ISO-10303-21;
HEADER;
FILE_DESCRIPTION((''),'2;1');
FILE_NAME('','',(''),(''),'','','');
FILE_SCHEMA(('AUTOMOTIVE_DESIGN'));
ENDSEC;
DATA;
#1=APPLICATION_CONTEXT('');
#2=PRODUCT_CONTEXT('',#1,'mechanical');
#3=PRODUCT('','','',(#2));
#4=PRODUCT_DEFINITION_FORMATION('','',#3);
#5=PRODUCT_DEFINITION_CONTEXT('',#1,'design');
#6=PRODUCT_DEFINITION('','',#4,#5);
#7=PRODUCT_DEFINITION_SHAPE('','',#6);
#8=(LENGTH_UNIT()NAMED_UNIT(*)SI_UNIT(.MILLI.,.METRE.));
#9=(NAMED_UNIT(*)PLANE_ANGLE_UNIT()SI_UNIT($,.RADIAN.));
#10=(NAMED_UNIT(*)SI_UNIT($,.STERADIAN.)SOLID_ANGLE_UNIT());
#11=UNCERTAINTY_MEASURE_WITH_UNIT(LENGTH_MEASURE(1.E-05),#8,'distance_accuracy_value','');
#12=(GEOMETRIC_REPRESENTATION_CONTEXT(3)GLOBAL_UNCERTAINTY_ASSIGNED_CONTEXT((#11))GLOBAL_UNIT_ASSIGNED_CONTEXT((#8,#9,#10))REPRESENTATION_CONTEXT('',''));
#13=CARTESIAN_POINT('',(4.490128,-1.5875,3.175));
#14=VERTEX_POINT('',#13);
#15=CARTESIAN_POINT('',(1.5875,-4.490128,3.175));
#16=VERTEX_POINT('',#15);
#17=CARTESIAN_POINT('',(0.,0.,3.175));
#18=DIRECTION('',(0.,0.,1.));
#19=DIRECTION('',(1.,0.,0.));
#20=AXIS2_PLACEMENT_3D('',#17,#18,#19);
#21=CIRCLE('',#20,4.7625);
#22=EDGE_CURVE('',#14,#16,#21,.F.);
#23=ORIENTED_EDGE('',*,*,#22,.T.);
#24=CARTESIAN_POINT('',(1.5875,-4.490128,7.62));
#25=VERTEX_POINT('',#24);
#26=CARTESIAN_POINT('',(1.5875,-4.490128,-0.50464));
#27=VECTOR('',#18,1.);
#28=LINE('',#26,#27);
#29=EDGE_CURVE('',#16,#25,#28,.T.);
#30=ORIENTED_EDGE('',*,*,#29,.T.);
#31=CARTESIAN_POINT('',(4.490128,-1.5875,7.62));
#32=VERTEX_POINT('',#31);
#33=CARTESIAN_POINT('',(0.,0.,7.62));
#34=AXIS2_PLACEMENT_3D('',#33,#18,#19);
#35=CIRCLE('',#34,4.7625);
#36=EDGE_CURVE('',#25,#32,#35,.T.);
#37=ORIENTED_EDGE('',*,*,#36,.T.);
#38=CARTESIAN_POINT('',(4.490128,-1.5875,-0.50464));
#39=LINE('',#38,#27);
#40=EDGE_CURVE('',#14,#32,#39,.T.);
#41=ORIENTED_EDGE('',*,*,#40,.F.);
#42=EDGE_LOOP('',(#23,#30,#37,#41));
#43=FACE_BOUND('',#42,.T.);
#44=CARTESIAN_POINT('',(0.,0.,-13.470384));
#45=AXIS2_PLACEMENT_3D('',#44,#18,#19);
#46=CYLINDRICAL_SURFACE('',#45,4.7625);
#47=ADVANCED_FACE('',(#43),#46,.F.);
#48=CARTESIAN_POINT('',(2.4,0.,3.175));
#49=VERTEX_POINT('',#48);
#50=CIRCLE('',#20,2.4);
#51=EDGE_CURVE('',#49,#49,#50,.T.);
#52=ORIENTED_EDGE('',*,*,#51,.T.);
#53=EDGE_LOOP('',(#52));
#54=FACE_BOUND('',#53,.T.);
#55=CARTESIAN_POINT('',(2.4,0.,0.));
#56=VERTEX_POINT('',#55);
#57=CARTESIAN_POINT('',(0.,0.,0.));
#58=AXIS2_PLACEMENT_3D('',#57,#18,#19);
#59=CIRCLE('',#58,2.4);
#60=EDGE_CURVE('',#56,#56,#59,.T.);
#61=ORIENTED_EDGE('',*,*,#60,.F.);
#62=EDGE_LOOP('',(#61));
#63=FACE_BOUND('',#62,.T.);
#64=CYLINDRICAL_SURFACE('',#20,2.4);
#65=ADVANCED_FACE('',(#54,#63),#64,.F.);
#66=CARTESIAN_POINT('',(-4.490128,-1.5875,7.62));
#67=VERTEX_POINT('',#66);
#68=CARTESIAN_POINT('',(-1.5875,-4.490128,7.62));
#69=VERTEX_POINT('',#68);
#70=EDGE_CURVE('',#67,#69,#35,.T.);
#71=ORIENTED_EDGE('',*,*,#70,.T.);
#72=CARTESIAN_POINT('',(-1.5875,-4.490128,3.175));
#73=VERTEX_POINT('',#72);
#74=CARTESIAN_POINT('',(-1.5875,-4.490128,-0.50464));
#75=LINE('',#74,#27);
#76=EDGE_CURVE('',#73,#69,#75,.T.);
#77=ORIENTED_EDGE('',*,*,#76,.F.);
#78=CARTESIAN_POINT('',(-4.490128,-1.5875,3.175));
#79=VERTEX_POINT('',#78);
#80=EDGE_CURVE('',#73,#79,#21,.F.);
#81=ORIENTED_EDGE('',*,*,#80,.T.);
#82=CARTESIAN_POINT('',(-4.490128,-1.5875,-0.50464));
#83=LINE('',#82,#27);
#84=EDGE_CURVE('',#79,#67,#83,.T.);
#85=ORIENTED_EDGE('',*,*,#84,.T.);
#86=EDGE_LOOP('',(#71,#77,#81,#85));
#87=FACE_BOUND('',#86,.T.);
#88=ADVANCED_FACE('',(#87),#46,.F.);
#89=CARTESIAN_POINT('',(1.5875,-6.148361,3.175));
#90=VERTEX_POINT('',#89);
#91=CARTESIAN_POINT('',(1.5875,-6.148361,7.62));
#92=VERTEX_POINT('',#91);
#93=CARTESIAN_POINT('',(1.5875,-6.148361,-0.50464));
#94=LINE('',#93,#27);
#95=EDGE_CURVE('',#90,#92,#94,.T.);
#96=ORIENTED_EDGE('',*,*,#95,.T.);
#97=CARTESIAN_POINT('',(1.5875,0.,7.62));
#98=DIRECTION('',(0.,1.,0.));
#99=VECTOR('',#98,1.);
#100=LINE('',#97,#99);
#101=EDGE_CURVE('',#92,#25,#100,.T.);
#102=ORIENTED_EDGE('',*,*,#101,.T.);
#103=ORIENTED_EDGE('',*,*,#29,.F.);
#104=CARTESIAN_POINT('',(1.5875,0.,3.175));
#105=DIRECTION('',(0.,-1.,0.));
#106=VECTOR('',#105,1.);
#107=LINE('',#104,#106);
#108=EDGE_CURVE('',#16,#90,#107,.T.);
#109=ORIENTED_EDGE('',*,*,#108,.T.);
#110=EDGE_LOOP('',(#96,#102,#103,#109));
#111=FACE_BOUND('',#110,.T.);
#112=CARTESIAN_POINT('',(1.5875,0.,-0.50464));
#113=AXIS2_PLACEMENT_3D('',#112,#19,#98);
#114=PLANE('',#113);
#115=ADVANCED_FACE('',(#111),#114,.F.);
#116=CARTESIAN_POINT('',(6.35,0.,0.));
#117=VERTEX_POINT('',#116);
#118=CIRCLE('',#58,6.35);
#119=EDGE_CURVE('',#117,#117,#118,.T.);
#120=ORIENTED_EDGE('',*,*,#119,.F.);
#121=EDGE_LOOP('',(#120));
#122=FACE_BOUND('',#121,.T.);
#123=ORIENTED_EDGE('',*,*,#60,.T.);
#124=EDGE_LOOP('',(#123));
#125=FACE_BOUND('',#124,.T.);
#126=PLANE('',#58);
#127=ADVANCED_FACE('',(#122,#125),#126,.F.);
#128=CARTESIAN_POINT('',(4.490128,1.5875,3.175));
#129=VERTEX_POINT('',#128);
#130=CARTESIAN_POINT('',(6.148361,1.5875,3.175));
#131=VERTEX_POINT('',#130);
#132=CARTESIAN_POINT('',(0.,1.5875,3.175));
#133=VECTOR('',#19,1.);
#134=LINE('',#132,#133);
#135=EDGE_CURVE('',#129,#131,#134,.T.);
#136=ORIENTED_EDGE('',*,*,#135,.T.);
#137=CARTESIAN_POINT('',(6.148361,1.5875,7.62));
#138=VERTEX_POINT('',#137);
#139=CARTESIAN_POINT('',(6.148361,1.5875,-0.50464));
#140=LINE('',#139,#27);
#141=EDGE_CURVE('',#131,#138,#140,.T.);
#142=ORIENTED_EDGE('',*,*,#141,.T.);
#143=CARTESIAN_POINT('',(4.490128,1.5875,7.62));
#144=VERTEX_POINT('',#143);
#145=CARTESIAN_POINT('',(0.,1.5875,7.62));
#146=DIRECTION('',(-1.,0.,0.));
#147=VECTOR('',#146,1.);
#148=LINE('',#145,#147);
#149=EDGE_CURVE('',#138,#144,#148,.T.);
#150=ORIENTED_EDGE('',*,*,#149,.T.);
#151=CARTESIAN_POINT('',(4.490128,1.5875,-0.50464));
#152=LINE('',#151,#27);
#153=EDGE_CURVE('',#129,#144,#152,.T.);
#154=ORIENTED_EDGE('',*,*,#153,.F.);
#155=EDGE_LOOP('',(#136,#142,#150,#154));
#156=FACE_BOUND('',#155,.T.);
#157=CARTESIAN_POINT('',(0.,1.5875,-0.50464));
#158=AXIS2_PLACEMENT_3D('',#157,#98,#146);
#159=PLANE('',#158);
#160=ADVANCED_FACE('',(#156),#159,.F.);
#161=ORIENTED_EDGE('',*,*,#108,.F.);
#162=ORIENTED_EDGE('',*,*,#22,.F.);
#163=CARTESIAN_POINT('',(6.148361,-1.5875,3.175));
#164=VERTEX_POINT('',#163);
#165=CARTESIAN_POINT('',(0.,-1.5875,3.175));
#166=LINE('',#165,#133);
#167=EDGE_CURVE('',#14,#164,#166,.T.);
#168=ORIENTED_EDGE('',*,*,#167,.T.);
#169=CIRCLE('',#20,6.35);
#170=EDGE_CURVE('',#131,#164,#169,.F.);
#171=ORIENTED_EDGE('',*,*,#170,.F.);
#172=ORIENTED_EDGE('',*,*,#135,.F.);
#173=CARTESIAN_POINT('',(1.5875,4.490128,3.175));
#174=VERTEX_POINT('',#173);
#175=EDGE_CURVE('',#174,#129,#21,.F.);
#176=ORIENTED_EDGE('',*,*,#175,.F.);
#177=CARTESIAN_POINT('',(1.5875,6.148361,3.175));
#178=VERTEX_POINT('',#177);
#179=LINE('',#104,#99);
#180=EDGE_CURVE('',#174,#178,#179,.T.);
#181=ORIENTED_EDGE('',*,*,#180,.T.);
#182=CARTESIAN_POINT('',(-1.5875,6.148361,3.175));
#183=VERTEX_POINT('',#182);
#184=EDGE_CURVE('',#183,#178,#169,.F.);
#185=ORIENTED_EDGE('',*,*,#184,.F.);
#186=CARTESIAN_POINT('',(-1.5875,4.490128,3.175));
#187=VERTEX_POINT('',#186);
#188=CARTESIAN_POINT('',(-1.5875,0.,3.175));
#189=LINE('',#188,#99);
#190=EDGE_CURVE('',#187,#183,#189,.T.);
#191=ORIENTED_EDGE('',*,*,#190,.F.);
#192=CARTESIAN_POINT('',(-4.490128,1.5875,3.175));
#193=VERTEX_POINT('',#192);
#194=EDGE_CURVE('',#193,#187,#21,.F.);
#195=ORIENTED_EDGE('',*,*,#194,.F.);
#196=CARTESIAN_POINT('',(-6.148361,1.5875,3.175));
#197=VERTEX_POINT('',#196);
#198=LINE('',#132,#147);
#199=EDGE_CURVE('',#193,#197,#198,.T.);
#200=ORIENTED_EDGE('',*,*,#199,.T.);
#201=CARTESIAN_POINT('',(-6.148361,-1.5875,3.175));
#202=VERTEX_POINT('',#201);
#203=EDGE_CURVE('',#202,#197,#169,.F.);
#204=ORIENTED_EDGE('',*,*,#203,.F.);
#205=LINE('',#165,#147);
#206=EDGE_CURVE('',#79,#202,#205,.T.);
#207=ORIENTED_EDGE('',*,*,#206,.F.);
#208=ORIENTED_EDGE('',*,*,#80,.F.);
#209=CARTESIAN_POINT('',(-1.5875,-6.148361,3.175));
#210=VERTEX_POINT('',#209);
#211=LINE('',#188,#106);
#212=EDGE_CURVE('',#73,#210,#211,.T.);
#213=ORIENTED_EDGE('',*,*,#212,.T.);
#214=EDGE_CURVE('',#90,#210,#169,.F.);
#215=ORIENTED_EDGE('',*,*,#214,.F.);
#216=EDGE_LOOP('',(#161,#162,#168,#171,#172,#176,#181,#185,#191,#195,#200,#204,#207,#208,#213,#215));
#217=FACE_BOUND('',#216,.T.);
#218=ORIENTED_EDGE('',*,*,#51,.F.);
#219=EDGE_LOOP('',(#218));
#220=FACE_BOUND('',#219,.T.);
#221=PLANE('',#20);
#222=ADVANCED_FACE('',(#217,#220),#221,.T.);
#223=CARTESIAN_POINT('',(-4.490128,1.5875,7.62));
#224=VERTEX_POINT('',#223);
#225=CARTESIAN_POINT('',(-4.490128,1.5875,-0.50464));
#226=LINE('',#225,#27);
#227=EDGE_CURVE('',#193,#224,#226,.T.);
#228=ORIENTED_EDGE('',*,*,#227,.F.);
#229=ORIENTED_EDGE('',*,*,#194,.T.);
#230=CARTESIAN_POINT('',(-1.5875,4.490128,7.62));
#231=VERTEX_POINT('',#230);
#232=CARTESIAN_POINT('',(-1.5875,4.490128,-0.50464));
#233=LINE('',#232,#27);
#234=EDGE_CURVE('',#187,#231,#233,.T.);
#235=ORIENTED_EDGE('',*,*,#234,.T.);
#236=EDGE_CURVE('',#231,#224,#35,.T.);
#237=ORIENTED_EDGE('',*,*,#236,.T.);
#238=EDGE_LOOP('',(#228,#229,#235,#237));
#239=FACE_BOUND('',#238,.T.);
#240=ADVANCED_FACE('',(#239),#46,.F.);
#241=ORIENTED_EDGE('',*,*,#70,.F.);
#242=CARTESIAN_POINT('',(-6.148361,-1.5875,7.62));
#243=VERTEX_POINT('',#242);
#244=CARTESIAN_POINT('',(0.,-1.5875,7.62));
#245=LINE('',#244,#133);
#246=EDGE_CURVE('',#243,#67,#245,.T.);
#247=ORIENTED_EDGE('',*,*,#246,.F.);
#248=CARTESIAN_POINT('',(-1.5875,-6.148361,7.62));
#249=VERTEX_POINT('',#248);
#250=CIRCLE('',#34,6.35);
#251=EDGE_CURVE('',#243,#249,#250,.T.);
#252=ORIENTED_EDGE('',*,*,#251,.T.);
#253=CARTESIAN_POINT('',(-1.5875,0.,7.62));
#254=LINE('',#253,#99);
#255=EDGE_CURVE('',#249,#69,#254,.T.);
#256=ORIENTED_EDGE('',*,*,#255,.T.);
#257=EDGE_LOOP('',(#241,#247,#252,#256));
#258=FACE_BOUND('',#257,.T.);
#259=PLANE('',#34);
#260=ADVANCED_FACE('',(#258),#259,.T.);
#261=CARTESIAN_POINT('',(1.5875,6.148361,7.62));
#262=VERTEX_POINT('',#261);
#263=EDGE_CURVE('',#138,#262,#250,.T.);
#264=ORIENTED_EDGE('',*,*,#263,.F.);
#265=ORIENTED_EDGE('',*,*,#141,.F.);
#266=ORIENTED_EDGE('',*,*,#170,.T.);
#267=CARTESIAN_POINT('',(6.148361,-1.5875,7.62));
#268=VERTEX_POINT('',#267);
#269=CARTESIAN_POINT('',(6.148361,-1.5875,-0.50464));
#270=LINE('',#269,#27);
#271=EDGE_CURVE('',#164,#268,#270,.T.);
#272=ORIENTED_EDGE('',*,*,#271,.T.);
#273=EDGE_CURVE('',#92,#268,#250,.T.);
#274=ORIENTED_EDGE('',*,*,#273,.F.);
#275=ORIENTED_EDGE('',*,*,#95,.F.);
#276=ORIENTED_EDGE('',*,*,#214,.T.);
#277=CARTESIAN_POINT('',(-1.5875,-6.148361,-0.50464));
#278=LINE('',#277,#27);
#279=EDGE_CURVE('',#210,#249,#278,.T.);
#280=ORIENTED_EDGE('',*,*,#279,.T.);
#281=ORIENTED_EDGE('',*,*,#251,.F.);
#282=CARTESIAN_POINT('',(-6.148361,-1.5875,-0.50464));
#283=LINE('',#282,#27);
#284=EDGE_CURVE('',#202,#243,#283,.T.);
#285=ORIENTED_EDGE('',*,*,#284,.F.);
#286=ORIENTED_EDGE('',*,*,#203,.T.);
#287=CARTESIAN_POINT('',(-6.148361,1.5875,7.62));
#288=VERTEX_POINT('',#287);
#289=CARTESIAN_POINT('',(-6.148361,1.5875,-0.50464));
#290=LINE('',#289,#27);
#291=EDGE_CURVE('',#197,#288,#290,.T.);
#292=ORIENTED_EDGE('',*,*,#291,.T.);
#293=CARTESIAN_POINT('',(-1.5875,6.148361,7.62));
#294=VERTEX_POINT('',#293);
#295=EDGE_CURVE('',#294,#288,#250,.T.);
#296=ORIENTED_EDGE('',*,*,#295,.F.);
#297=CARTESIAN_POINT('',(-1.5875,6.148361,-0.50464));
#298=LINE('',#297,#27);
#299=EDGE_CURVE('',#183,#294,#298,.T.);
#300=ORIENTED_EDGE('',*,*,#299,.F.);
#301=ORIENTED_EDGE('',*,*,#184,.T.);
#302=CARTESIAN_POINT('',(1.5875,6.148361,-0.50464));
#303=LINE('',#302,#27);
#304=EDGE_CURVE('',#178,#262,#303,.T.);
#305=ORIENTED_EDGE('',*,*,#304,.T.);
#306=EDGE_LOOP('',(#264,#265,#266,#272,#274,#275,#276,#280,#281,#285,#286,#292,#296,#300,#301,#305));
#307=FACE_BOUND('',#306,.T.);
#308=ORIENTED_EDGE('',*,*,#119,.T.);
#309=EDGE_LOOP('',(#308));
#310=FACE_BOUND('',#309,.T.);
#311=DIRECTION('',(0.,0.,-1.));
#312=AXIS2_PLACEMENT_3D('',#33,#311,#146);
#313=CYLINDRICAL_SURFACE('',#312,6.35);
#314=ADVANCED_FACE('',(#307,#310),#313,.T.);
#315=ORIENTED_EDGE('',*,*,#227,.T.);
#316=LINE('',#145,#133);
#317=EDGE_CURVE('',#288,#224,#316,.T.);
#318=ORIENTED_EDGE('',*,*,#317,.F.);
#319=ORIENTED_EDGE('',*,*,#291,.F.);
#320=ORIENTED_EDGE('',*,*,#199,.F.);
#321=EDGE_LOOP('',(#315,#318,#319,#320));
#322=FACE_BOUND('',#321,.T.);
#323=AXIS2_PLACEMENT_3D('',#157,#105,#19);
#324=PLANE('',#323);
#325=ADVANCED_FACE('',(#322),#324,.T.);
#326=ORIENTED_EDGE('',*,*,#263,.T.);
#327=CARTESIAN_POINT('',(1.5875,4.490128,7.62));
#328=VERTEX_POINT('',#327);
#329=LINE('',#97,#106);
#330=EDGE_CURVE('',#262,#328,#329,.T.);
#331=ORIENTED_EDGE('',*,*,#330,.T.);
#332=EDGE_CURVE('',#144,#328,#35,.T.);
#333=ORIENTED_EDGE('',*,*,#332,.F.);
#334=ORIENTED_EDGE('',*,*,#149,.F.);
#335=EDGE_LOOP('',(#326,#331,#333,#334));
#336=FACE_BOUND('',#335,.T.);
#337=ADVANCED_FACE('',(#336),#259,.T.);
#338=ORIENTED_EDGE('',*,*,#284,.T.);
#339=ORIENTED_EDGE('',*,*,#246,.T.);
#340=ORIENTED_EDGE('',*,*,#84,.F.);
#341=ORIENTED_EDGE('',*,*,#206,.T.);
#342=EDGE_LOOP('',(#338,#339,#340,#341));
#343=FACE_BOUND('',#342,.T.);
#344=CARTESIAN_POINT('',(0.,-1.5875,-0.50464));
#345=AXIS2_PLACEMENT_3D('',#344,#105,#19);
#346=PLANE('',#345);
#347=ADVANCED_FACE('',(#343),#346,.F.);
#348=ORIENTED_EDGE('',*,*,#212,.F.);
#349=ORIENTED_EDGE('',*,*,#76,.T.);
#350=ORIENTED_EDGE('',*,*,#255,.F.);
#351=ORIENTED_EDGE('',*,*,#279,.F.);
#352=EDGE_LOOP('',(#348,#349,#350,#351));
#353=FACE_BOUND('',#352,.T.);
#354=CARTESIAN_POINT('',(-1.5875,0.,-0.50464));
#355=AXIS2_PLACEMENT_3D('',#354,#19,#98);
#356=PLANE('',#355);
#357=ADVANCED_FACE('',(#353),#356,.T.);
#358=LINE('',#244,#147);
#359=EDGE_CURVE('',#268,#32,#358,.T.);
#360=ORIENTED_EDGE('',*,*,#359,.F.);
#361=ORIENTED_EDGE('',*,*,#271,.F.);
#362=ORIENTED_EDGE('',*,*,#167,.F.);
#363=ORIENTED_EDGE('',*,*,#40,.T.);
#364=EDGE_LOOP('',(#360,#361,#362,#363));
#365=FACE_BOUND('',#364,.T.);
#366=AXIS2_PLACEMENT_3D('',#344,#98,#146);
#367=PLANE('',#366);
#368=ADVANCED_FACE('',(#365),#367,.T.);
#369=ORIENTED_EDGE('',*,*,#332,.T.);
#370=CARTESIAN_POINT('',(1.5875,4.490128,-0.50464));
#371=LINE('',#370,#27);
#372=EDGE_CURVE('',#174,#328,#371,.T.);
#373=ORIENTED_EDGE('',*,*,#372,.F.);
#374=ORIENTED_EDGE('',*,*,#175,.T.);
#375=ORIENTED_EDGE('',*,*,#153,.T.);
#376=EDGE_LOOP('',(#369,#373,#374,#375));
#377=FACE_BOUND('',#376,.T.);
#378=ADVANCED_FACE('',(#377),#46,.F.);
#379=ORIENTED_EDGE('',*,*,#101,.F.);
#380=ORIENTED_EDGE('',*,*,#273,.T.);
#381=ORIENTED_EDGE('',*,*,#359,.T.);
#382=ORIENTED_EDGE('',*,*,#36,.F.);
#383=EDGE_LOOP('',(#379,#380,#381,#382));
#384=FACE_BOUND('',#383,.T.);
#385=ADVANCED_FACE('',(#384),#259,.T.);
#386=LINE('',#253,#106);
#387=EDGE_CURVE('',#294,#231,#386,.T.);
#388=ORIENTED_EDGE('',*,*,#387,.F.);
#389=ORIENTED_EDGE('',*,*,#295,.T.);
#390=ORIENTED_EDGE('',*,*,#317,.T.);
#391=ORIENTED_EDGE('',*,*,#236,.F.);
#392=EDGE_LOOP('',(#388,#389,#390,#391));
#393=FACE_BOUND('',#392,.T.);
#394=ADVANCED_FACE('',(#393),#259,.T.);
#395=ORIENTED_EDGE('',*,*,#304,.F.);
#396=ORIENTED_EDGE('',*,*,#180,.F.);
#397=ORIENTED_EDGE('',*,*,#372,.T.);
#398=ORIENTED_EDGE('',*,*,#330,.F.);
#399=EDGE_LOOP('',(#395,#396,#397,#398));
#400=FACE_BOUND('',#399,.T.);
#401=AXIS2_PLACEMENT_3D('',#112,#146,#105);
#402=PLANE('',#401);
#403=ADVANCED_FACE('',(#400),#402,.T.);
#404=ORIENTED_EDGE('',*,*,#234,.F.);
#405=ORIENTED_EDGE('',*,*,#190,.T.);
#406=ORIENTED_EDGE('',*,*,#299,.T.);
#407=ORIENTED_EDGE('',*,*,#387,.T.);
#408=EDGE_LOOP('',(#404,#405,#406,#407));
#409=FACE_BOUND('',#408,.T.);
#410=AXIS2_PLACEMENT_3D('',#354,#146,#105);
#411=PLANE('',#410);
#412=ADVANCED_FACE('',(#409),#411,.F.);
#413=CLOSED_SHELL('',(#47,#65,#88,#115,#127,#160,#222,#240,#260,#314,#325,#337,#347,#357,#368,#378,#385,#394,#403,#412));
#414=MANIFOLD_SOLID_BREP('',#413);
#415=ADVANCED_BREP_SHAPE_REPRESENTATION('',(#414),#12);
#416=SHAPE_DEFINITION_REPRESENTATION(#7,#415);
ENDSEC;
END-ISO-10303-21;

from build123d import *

# Parameters (mm, degrees)
SKETCH2_R            = 6.35
SKETCH2_R_2          = 4.7625
SKETCH2_R_3          = 3.5000057
BOSS_EXTRUDE1_DEPTH  = 7.62
SKETCH3_R            = 4.7625
SKETCH3_R_2          = 3.5000057
CUT_EXTRUDE1_DEPTH   = 4.445
M4_CLEARANCE_HOLE1_D = 4.8
CUT_EXTRUDE2_DEPTH   = 4.445
CIRPATTERN1_COUNT    = 4


with BuildPart() as part:
    # Sketch2 → Boss-Extrude1 (new body)
    # profile 1 of 3: a face of its own
    with BuildSketch(Plane.XY):
        with Locations(Location((0, 0, 0), (0, 0, 180))):
            Circle(SKETCH2_R)
        Circle(SKETCH2_R_2, mode=Mode.SUBTRACT)
    # profile 2 of 3: a face of its own
    with BuildSketch(Plane.XY):
        Circle(SKETCH2_R_2)
        Circle(SKETCH2_R_3, mode=Mode.SUBTRACT)
    # profile 3 of 3: a face of its own
    with BuildSketch(Plane.XY):
        Circle(SKETCH2_R_3)
    extrude(amount=BOSS_EXTRUDE1_DEPTH)

    # Sketch3 → Cut-Extrude1 (cut)
    # profile 1 of 2: a face of its own
    with BuildSketch(Plane.XY.offset(7.62)):
        Circle(SKETCH3_R)
        Circle(SKETCH3_R_2, mode=Mode.SUBTRACT)
    # profile 2 of 2: a face of its own
    with BuildSketch(Plane.XY.offset(7.62)):
        Circle(SKETCH3_R_2)
    extrude(amount=-CUT_EXTRUDE1_DEPTH, mode=Mode.SUBTRACT)

    # M4 Clearance Hole1 (through all)
    with Locations(Plane.XY.offset(3.175)):
        with Locations((0, 0)):
            Hole(M4_CLEARANCE_HOLE1_D / 2)

    # Sketch6 → Cut-Extrude2 (cut)
    with BuildSketch(Plane.XY.offset(7.62)):
        with BuildLine():
            ThreePointArc((1.5875, 6.148361062), (0, 6.35), (-1.5875, 6.148361062))
            Line((-1.5875, 6.148361062), (-1.5875, 4.490128061))
            ThreePointArc((-1.5875, 4.490128061), (0, 4.7625), (1.5875, 4.490128061))
            Line((1.5875, 4.490128061), (1.5875, 6.148361062))
        make_face()
    cut_extrude2 = extrude(amount=-CUT_EXTRUDE2_DEPTH, mode=Mode.SUBTRACT)

    # CirPattern1: Cut-Extrude2 ×4 about axis
    cirpattern1_axis = Axis((0, 0, 0), (0, 0, 1))
    for i in range(1, CIRPATTERN1_COUNT):
        add(cut_extrude2.rotate(cirpattern1_axis, i * 360 / CIRPATTERN1_COUNT), mode=Mode.SUBTRACT)


solid = part.part
